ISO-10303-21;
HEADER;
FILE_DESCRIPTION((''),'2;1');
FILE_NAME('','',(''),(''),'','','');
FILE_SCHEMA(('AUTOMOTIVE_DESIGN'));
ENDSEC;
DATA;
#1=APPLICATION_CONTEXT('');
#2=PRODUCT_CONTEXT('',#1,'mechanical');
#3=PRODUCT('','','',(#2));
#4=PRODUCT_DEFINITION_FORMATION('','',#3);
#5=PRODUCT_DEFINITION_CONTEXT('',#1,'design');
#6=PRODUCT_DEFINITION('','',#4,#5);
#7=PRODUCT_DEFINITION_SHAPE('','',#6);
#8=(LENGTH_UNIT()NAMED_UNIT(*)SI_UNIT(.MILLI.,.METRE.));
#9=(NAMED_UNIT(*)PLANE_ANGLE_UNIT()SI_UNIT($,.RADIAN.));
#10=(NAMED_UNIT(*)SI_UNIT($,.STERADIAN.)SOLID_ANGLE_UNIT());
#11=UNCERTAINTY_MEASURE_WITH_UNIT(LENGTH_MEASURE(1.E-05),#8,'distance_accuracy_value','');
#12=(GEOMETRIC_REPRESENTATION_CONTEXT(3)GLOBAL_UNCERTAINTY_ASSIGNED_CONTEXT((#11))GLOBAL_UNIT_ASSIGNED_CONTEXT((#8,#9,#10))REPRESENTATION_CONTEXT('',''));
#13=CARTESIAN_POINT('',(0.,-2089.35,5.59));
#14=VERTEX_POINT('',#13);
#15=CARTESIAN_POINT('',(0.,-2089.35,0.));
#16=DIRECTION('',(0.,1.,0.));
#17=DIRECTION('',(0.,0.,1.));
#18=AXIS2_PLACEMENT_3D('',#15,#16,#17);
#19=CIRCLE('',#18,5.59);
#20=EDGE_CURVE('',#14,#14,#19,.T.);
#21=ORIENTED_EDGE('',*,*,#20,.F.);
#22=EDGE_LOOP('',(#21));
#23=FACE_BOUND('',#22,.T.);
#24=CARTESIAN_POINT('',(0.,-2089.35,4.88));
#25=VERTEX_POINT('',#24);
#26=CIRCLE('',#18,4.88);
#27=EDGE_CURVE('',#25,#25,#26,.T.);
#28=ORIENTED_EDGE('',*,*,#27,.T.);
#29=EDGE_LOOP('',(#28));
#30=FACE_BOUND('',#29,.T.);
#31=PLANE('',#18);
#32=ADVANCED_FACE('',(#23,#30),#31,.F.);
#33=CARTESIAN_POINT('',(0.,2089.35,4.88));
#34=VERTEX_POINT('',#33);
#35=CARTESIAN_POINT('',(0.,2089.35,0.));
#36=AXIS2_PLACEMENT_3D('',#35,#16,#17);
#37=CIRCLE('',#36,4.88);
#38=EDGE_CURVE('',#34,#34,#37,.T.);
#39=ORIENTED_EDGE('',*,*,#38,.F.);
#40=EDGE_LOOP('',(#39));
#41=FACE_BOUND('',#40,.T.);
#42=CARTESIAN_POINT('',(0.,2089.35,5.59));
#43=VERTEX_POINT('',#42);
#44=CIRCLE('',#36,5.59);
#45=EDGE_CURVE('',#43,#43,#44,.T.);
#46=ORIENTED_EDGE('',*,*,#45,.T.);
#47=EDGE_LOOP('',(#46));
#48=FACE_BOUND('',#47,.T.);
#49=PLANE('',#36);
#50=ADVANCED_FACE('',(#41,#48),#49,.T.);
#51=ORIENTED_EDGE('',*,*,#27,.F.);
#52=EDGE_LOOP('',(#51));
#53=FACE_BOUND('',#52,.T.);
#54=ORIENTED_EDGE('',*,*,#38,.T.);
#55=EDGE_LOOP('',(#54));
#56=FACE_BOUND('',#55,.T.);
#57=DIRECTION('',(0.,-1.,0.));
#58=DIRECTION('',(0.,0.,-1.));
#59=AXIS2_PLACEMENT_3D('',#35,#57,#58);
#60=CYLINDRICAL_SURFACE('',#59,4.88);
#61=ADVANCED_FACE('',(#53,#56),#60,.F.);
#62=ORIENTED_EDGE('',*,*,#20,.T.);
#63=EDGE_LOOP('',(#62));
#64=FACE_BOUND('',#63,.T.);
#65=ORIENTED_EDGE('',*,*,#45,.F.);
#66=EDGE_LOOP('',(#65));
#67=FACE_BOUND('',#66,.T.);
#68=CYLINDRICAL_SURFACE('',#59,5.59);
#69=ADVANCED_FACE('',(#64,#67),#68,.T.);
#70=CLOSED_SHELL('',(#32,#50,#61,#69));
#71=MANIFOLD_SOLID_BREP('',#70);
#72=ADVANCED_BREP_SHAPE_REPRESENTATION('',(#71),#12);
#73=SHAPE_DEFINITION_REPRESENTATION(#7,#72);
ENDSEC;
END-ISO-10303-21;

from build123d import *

# Parameters (mm, degrees)
SKETCH1_R           = 5.59
SKETCH1_R_2         = 4.88
BOSS_EXTRUDE1_DEPTH = 2089.35


with BuildPart() as part:
    # Sketch1 → Boss-Extrude1 (new, symmetric)
    with BuildSketch(Plane(origin=(0, 0, 0), x_dir=(1, 0, 0), z_dir=(0, 1, 0))):
        with Locations(Location((0, 0, 0), (0, 0, 270))):
            Circle(SKETCH1_R)
        with Locations(Location((0, 0, 0), (0, 0, 270))):
            Circle(SKETCH1_R_2, mode=Mode.SUBTRACT)
    extrude(amount=BOSS_EXTRUDE1_DEPTH, both=True)


solid = part.part
